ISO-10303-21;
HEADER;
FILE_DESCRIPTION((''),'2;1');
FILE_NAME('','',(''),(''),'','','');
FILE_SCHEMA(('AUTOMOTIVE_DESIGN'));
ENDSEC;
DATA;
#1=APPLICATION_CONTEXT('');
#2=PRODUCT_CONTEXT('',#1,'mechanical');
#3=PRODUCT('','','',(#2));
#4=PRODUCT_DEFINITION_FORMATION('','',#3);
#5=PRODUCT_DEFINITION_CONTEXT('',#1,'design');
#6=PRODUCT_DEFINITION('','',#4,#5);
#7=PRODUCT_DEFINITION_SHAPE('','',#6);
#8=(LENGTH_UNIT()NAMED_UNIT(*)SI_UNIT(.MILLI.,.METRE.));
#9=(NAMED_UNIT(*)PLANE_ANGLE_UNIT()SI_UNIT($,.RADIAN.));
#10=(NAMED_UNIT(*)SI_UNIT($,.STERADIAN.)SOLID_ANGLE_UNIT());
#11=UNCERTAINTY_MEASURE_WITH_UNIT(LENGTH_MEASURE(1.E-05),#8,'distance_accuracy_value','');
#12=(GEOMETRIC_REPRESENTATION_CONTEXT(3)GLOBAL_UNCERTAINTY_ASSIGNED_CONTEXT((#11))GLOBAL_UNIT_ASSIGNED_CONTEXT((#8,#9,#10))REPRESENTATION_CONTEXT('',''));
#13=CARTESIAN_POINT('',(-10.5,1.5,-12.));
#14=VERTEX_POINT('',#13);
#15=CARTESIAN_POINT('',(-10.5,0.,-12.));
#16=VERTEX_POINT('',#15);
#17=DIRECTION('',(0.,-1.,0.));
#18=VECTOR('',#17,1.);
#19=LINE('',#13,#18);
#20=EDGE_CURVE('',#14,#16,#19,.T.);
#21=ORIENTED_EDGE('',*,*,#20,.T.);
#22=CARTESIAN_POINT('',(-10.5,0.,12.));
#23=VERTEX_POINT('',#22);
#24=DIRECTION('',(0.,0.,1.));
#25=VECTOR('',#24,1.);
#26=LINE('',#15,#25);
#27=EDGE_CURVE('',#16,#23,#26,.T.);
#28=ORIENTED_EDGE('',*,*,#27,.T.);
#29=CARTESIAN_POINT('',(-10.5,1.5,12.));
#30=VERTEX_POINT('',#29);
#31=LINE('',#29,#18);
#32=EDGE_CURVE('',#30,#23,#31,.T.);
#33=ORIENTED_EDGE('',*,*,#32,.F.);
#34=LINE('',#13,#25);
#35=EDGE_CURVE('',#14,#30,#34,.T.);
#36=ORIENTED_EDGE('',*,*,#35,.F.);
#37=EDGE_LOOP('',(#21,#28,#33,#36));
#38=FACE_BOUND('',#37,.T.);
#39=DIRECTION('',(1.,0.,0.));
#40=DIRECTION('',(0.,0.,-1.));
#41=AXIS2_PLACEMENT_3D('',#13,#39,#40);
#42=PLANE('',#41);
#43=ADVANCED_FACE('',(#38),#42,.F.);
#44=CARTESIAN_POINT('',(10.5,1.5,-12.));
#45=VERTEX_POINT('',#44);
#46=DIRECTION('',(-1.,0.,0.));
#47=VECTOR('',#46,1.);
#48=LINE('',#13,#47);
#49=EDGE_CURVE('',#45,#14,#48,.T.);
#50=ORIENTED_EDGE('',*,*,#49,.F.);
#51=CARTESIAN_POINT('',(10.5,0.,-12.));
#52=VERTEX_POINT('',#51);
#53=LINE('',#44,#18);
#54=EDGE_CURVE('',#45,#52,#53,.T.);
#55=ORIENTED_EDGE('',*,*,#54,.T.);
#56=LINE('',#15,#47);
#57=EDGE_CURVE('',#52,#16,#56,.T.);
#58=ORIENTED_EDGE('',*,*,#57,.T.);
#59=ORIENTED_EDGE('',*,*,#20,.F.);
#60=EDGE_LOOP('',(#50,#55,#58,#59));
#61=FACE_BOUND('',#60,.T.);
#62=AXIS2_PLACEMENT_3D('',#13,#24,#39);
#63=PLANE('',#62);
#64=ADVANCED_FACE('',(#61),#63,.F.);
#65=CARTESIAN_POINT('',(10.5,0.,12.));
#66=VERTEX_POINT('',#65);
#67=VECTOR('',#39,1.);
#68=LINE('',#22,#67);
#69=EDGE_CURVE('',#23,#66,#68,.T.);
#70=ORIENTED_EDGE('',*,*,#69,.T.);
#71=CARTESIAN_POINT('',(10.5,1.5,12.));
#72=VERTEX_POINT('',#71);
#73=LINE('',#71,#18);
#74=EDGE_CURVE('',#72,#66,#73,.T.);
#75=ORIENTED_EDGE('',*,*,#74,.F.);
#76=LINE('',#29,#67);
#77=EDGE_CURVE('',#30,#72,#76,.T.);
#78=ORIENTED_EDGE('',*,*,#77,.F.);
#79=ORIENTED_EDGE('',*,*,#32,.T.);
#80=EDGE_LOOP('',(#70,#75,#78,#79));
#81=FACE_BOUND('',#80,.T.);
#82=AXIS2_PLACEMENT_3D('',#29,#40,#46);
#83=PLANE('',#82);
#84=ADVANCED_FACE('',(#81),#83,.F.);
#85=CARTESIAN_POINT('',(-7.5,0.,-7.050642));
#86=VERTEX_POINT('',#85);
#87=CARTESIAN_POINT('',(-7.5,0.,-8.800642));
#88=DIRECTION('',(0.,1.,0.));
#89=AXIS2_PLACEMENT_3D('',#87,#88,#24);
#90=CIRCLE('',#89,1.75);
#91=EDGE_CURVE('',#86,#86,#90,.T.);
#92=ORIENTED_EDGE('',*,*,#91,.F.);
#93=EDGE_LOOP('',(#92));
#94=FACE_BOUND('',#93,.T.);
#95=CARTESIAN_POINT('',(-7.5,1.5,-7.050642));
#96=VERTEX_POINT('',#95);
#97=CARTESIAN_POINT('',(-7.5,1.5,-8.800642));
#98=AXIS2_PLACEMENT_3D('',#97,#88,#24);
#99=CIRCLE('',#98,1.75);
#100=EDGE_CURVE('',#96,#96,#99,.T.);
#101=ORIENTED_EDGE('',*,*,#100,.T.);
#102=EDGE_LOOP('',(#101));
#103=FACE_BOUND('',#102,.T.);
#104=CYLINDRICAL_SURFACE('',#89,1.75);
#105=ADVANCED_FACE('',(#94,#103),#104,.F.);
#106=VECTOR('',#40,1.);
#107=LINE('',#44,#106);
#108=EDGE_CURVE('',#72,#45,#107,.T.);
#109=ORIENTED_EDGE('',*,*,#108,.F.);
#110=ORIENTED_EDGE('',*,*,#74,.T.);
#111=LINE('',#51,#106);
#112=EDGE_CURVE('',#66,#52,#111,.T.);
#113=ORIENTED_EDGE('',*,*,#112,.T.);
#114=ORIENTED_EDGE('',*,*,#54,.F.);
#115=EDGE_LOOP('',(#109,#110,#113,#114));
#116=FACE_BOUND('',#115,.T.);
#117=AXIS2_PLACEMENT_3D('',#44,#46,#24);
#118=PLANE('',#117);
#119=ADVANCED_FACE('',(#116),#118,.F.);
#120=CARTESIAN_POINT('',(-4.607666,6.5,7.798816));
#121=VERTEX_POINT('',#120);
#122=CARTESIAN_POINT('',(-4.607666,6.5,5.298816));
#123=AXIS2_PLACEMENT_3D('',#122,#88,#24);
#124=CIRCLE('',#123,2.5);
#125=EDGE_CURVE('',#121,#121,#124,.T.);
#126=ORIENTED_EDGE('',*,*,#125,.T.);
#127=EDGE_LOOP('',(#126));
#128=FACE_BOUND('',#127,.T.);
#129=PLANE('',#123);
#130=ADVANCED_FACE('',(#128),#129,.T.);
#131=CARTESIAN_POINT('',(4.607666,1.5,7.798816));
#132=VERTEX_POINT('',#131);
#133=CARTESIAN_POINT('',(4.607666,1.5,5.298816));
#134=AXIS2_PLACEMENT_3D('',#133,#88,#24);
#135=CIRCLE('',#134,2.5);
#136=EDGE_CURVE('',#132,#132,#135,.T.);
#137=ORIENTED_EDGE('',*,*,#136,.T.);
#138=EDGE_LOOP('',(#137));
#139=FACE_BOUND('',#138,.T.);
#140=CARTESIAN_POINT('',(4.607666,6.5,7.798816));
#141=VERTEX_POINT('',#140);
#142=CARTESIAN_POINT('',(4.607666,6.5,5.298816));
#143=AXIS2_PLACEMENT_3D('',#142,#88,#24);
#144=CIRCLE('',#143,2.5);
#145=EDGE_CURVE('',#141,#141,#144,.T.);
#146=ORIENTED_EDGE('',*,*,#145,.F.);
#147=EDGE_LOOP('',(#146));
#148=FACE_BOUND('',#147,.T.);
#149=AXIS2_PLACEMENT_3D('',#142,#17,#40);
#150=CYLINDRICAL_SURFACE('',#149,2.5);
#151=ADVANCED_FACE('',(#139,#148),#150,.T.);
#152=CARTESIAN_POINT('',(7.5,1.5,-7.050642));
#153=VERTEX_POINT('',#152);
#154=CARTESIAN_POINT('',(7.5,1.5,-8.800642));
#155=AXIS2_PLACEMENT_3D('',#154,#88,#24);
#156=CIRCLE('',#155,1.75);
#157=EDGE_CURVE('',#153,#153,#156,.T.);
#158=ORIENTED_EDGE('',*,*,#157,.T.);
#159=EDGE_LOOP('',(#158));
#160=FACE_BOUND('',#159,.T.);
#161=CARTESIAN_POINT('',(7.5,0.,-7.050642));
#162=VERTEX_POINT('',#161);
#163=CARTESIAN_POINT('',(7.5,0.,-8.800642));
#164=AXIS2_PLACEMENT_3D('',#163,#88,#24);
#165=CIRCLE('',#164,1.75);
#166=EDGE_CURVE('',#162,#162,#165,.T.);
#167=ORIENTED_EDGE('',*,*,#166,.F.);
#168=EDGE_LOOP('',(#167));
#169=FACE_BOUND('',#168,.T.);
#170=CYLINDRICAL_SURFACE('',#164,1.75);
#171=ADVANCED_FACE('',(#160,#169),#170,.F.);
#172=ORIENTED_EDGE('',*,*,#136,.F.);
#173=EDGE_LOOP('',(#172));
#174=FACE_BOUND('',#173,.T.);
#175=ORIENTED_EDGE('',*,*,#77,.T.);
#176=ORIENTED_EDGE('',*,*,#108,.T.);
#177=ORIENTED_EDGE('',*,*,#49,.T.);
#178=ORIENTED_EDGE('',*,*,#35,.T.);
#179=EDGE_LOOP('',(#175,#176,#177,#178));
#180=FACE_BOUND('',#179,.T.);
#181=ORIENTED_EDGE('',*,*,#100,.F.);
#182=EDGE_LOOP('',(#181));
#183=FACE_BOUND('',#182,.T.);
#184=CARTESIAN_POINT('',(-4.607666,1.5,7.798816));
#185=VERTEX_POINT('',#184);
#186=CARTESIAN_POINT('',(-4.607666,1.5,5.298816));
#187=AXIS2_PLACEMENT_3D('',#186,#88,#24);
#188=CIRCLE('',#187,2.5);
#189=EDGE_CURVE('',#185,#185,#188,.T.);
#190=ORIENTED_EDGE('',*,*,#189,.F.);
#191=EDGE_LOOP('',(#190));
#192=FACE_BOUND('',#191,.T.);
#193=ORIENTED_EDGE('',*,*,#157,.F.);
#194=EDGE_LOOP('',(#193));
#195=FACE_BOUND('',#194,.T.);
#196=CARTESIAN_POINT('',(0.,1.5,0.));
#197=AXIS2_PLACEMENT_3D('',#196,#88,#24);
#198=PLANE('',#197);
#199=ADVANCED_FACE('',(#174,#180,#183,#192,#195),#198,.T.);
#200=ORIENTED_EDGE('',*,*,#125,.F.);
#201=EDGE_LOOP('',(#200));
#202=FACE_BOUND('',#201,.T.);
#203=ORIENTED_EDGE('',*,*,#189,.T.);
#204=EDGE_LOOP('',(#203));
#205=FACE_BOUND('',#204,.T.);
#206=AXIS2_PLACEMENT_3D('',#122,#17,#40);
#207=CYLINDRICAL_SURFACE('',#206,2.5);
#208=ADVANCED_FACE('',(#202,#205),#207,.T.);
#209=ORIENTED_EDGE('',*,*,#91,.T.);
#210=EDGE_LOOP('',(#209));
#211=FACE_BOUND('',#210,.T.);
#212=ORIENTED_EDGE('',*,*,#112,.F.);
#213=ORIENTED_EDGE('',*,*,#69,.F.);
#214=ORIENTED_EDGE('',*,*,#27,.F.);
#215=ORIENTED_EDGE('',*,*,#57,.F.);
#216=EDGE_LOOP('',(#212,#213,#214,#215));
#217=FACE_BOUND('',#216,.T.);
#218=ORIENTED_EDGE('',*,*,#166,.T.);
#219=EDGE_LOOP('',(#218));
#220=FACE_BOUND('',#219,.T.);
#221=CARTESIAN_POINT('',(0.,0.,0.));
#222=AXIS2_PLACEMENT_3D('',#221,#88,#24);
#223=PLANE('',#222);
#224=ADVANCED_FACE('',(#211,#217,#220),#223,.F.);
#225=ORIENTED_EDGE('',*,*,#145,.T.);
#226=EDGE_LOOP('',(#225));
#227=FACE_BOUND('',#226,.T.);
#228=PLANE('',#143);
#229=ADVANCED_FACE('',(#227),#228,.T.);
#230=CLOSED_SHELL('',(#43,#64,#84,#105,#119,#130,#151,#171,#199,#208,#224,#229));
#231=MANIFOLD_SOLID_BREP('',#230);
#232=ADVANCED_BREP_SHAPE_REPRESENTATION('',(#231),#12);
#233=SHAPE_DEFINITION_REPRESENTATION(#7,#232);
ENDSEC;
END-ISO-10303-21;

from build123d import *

# Parameters (mm, degrees)
SKETCH_1_W          = 21
SKETCH_1_H          = 24
EXTRUDE_1_DEPTH     = 1.5
SKETCH_2_R          = 1.75
CUT_EXTRUDE_1_DEPTH = 1.5
SKETCH_3_R          = 2.5
EXTRUDE_2_DEPTH     = 5


with BuildPart() as part:
    # 草图1 → 凸台-拉伸1 (new body)
    with BuildSketch(Plane(origin=(0, 0, 0), x_dir=(1, 0, 0), z_dir=(0, 1, 0))):
        Rectangle(SKETCH_1_W, SKETCH_1_H)
    extrude(amount=EXTRUDE_1_DEPTH)

    # 草图2 → 切除-拉伸1 (cut)
    with BuildSketch(Plane(origin=(0, 1.5, 0), x_dir=(1, 0, 0), z_dir=(0, 1, 0))):
        with Locations(Location((-7.5, 8.800641953, 0), (0, 0, 270))):
            Circle(SKETCH_2_R)
        with Locations(Location((7.5, 8.800641953, 0), (0, 0, 270))):
            Circle(SKETCH_2_R)
    extrude(amount=-CUT_EXTRUDE_1_DEPTH, mode=Mode.SUBTRACT)

    # 草图3 → 凸台-拉伸2 (add)
    with BuildSketch(Plane(origin=(0, 1.5, 0), x_dir=(1, 0, 0), z_dir=(0, 1, 0))):
        with Locations(Location((-4.607665944, -5.298815836, 0), (0, 0, 270))):
            Circle(SKETCH_3_R)
        with Locations(Location((4.607665944, -5.298815836, 0), (0, 0, 270))):
            Circle(SKETCH_3_R)
    extrude(amount=EXTRUDE_2_DEPTH)


solid = part.part
